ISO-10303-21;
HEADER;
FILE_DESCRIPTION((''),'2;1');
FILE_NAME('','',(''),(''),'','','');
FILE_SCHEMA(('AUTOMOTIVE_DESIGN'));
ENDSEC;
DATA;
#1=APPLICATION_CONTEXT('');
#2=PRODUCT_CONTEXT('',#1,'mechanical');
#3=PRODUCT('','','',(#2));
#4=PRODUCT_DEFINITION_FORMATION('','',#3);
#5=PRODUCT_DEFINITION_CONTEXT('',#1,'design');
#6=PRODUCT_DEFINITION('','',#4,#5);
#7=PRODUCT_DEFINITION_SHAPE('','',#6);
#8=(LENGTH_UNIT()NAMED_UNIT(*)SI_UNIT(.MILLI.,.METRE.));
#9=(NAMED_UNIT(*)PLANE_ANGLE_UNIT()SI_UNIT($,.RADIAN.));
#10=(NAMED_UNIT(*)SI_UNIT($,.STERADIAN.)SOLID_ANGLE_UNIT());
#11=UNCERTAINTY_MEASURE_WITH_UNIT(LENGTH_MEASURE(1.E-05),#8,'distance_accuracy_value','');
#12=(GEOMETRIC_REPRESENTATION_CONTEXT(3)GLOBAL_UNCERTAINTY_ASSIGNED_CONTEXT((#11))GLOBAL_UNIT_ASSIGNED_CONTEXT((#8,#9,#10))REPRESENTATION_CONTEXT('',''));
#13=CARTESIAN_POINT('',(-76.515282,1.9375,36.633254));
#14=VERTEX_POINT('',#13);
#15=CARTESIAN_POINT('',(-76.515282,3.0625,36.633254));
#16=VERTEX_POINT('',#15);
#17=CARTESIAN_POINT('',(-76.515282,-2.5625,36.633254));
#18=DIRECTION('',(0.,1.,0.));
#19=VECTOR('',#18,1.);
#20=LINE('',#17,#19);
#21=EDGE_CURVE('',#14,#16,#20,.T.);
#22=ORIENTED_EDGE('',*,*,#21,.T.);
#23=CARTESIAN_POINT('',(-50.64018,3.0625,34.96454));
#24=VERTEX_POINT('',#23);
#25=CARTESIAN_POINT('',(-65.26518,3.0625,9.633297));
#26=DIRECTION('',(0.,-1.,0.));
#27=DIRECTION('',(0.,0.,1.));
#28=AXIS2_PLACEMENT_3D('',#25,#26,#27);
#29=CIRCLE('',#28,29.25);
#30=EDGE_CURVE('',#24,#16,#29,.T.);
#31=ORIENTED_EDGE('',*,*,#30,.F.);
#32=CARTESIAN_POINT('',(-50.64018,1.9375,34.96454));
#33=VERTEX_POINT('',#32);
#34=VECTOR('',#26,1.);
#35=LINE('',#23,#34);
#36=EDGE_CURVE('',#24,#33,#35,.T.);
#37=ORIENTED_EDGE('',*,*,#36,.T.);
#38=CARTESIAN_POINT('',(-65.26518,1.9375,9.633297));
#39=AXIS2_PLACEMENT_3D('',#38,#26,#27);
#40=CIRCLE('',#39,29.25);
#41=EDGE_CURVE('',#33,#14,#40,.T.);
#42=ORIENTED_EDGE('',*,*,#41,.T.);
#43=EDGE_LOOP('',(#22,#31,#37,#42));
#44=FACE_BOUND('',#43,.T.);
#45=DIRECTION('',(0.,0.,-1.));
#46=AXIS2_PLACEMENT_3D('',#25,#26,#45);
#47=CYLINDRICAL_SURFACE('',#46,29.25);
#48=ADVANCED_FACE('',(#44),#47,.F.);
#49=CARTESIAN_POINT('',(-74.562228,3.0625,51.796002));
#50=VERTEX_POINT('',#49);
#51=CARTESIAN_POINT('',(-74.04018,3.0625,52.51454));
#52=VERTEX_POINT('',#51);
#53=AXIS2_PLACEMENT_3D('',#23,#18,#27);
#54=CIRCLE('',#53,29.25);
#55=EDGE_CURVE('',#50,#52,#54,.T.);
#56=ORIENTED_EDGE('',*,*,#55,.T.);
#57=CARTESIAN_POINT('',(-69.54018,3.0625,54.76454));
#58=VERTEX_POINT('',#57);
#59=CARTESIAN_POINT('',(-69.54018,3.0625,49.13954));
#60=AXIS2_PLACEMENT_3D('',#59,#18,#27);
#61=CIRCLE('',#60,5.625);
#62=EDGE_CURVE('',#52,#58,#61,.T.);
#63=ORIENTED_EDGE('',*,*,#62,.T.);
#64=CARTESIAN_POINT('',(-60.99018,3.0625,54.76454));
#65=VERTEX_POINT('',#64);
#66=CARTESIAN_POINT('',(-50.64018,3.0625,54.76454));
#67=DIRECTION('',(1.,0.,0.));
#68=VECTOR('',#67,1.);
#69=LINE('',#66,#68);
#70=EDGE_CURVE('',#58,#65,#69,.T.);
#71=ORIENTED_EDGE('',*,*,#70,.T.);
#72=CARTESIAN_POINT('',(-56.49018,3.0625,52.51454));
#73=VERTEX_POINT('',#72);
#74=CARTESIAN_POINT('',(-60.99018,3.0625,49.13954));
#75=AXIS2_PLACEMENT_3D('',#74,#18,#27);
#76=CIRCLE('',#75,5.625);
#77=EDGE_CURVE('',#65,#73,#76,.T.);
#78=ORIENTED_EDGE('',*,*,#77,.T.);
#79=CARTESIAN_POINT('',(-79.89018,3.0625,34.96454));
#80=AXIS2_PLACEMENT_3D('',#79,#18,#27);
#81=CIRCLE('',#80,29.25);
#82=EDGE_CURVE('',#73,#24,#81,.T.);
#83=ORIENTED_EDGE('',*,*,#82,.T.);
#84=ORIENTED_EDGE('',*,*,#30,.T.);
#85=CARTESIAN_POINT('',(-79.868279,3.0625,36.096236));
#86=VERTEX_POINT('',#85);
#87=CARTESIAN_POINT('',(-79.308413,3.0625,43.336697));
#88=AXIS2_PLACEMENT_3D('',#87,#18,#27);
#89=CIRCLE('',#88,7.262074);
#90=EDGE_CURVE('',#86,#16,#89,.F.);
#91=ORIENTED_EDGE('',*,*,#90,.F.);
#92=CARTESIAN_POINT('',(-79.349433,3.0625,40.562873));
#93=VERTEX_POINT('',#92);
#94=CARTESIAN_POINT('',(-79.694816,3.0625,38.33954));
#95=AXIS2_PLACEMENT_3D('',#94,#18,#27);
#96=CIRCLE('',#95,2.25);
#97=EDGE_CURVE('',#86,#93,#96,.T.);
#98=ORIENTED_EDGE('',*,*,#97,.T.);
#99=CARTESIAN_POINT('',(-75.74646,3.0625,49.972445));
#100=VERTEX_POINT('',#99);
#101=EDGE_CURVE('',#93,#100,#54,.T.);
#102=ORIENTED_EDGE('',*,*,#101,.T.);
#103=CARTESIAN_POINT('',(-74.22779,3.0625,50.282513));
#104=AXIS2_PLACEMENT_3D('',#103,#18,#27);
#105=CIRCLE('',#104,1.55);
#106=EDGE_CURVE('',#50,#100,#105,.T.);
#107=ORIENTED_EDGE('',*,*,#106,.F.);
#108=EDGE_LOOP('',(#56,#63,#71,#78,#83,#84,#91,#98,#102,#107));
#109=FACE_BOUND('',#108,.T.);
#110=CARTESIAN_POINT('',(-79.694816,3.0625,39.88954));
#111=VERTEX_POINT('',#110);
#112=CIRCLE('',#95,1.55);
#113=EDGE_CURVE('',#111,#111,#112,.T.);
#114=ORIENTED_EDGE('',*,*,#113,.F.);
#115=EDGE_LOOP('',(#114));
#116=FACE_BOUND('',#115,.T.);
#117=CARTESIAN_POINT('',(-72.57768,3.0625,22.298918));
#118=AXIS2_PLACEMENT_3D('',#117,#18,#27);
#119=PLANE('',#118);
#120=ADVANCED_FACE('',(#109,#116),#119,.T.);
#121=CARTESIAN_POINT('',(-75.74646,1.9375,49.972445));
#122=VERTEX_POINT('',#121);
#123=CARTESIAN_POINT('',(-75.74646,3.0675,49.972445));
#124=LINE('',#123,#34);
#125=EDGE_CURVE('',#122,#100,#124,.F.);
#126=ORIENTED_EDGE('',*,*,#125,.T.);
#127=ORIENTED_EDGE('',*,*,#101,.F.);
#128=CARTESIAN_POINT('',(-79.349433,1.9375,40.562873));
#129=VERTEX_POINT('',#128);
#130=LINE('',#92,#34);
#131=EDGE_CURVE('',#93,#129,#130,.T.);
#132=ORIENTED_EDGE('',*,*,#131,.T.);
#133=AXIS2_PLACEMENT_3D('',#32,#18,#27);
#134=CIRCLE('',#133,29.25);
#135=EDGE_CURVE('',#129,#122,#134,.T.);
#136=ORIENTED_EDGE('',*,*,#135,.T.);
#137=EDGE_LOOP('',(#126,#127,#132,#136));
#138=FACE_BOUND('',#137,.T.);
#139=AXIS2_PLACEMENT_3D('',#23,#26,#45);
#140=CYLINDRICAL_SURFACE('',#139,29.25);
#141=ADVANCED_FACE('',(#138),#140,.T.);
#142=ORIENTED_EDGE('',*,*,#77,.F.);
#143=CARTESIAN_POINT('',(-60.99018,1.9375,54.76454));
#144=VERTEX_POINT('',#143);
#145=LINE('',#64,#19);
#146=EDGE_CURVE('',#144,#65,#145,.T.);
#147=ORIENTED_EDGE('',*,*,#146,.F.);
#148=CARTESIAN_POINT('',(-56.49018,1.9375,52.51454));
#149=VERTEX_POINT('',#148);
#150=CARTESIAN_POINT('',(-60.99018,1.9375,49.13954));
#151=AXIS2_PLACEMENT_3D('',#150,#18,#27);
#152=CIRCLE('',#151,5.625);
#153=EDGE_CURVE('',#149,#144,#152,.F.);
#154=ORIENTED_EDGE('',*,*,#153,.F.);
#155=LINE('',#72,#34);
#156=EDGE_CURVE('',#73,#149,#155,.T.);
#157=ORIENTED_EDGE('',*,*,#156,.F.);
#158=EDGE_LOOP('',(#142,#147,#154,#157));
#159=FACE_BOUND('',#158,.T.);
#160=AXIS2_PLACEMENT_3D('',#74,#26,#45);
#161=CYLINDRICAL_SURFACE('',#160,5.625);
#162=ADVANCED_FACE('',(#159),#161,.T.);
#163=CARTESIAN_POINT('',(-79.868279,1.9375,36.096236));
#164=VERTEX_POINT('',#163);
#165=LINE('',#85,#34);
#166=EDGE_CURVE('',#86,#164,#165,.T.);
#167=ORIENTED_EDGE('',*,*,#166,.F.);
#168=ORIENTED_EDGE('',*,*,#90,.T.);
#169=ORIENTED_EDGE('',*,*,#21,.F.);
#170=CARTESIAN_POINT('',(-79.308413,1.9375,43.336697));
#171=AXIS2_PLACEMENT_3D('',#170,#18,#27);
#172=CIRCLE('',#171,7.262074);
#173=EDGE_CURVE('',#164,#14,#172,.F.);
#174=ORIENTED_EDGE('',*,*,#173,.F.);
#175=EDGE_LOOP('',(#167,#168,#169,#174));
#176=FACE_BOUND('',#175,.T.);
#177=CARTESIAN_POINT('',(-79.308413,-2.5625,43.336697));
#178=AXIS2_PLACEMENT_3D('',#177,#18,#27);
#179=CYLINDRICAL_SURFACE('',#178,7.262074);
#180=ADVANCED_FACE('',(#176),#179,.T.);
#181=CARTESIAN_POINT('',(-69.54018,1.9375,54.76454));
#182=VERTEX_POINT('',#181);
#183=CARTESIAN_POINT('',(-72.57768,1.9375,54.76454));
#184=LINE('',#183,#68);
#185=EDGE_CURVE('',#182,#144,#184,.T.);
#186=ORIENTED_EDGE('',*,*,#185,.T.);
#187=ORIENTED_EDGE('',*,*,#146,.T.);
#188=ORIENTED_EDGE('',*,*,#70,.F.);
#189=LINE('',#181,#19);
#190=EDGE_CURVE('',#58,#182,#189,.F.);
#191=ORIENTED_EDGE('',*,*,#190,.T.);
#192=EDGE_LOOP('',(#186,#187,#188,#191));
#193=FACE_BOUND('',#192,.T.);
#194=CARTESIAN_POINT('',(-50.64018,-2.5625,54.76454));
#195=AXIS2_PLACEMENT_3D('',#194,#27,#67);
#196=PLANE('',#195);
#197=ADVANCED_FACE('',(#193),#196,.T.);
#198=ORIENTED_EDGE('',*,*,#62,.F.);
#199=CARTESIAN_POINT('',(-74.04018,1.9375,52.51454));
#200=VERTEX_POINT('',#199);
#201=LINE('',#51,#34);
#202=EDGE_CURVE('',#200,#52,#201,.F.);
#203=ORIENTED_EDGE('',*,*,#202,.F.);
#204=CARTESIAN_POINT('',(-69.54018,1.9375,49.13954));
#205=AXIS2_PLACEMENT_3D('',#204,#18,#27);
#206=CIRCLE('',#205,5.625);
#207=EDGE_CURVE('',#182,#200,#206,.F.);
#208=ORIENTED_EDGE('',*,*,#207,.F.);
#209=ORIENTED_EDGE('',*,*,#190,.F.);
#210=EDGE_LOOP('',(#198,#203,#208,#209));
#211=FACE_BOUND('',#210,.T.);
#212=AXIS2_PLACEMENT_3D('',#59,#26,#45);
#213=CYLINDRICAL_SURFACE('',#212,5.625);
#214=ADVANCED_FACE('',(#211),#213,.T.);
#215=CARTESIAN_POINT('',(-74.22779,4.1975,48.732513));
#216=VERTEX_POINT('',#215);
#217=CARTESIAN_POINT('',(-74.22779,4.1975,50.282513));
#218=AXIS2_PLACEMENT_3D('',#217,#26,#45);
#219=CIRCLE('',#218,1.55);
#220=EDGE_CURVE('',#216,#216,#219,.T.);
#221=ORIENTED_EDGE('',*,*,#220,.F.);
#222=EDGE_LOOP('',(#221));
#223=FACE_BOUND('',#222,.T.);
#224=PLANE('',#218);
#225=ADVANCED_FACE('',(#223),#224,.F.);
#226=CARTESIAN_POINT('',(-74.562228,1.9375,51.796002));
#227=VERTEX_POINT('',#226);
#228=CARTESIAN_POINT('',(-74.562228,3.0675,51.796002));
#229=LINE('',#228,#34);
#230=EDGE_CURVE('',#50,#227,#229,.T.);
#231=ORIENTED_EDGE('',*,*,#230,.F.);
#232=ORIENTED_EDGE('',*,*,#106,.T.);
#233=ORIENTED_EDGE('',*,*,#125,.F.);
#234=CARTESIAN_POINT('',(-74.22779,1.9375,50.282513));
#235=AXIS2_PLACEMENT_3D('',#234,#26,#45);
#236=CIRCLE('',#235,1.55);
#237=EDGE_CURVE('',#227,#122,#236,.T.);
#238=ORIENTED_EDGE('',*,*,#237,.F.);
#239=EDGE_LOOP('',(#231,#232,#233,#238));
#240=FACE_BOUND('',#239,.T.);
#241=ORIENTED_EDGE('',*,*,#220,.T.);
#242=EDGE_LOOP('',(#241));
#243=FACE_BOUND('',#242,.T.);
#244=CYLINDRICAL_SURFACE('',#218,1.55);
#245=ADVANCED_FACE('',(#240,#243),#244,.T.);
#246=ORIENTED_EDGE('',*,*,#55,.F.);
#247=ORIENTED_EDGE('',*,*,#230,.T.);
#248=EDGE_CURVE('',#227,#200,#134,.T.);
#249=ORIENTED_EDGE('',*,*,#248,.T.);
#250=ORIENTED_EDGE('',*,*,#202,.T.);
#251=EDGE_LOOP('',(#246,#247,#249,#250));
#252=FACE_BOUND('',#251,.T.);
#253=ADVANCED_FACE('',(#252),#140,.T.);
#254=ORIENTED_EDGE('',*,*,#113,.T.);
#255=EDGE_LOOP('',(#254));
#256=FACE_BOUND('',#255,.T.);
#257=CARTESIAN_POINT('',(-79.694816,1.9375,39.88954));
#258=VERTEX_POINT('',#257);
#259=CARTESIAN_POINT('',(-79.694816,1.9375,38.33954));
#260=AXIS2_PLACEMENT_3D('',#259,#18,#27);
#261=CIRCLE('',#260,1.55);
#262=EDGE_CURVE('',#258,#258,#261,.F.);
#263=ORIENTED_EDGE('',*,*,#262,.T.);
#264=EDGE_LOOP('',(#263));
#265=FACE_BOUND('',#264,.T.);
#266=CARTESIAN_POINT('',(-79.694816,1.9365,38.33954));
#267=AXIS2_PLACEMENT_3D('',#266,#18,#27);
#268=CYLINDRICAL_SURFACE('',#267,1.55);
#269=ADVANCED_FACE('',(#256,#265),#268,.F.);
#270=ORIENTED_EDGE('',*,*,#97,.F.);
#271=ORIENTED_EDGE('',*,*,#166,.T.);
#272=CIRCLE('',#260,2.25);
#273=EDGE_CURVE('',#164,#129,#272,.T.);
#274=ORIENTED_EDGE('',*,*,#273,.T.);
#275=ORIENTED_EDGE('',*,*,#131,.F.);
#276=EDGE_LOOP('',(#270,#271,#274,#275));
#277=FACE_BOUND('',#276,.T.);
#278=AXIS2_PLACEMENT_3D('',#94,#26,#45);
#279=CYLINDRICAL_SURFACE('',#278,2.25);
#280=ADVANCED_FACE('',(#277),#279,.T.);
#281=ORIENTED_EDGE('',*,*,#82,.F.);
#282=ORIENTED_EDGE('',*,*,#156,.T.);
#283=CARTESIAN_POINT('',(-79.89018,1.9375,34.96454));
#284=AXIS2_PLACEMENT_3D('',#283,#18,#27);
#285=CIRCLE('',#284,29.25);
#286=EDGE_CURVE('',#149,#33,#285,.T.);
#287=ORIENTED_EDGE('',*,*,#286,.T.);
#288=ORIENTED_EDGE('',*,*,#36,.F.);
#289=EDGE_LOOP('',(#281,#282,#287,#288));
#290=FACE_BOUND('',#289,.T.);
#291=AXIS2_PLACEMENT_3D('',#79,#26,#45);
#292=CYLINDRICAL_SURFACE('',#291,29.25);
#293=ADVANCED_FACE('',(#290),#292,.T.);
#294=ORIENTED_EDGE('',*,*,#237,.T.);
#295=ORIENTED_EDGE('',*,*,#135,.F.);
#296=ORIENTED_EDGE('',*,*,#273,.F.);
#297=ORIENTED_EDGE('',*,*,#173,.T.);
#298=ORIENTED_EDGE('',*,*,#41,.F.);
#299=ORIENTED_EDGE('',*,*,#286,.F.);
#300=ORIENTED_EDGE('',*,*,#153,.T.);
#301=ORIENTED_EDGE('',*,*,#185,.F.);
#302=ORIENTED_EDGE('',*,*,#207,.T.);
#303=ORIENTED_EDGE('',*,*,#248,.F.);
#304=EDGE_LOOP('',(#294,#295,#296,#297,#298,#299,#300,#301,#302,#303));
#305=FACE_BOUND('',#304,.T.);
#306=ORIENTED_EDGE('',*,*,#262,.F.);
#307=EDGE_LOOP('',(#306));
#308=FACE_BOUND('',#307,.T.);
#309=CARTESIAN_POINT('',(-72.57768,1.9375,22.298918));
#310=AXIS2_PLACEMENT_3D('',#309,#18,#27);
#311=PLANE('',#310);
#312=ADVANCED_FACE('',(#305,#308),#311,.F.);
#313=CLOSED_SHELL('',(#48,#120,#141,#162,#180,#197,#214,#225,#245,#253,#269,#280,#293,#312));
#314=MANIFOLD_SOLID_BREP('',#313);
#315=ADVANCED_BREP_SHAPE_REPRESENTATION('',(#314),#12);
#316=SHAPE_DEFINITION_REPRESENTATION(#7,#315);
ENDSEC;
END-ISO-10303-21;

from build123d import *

# Parameters (mm, degrees)
BOSS_EXTRUDE1_DEPTH = 5
SKETCH2_R           = 4.5
CUT_EXTRUDE1_DEPTH  = 180.046458535
CUT_EXTRUDE2_START  = -25
CUT_EXTRUDE2_DEPTH  = 25
CUT_EXTRUDE3_START  = -25
CUT_EXTRUDE3_DEPTH  = 25
FILLET1_R           = 25
SCALE1_SCALE        = 0.225
CUT_EXTRUDE4_REACH  = 100.567
SKETCH5_R           = 1.55
SKETCH7_R           = 1.55
BOSS_EXTRUDE3_DEPTH = 2.26


with BuildPart() as part:
    # Sketch1 → Boss-Extrude1 (new body)
    with BuildSketch(Plane(origin=(0, 0, 0), x_dir=(1, 0, 0), z_dir=(0, 1, 0))):
        with BuildLine():
            ThreePointArc((-130, 0), (-129.975663124, -2.515351975), (-129.902661607, -5.029762169))
            ThreePointArc((-129.902661607, -5.029762169), (-139.064924602, -16.153846154), (-127.596676804, -24.881480435))
            ThreePointArc((-127.596676804, -24.881480435), (-105.812439614, -75.523027104), (-65, -112.583302492))
            ThreePointArc((-65, -112.583302492), (-17.416697508, -65), (0, 0))
            ThreePointArc((0, 0), (-65, -17.416697508), (-130, 0))
        make_face()
    extrude(amount=BOSS_EXTRUDE1_DEPTH)

    # Sketch2 → Cut-Extrude1 (cut, through all)
    with BuildSketch(Plane(origin=(0, 5, 0), x_dir=(1, 0, 0), z_dir=(0, 1, 0))):
        with Locations((-129.131715701, -15)):
            Circle(SKETCH2_R)
        with Locations((-104.833820993, -68.079879377)):
            Circle(SKETCH2_R)
    extrude(amount=-CUT_EXTRUDE1_DEPTH, mode=Mode.SUBTRACT)

    # Sketch3 → Cut-Extrude2 (cut)
    with BuildSketch(Plane(origin=(0, 5, 0), x_dir=(1, 0, 0), z_dir=(0, 1, 0)).offset(CUT_EXTRUDE2_START)):
        with BuildLine():
            Line((-34.313010289, -88), (-95.686989711, -88))
            ThreePointArc((-95.686989711, -88), (-81.278298801, -101.458553824), (-65, -112.583302492))
            ThreePointArc((-65, -112.583302492), (-48.721701199, -101.458553824), (-34.313010289, -88))
        make_face()
    extrude(amount=CUT_EXTRUDE2_DEPTH, mode=Mode.SUBTRACT)

    # Sketch4 → Cut-Extrude3 (cut)
    with BuildSketch(Plane(origin=(0, 5, 0), x_dir=(1, 0, 0), z_dir=(0, 1, 0)).offset(CUT_EXTRUDE3_START)):
        with BuildLine():
            ThreePointArc((-130, 0), (-129.975663124, -2.515351975), (-129.902661607, -5.029762169))
            ThreePointArc((-129.902661607, -5.029762169), (-122.310091762, -5.339865772), (-115.00045201, -7.416509169))
            ThreePointArc((-115.00045201, -7.416509169), (-122.619676697, -3.949838105), (-130, 0))
        make_face()
    extrude(amount=CUT_EXTRUDE3_DEPTH, mode=Mode.SUBTRACT)

    # Fillet1
    fillet1_edges = [part.edges().sort_by_distance(p)[0] for p in [
        (-34.313010289, 2.5, 88),
        (-95.686989711, 2.5, 88),
    ]]
    fillet(fillet1_edges, radius=FILLET1_R)


with BuildPart() as part_1:
    # Scale1: scaled about (-65.342168123, 2.5, 45.115535207)
    add(part.part.scale(SCALE1_SCALE).moved(Location((-50.640180295, 1.9375, 34.964539785))))

    # Sketch5 → Cut-Extrude4 (cut, up to next)
    with BuildSketch(Plane(origin=(0, 3.0625, 0), x_dir=(1, 0, 0), z_dir=(0, 1, 0)), mode=Mode.PRIVATE) as cut_extrude4_sk1:
        with Locations((-79.694816328, -38.339539786)):
            Circle(SKETCH5_R)
    cut_extrude4_tool1 = extrude(cut_extrude4_sk1.sketch, amount=-CUT_EXTRUDE4_REACH, mode=Mode.PRIVATE) & part_1.part
    add(cut_extrude4_tool1.solids().sort_by_distance((-79.694816, 3.0625, 38.33954))[0], mode=Mode.SUBTRACT)

    # Sketch7 → Boss-Extrude3 (add)
    with BuildSketch(Plane.XZ.offset(-1.9375)):
        with Locations((-74.227790019, 50.282512645)):
            Circle(SKETCH7_R)
    extrude(amount=-BOSS_EXTRUDE3_DEPTH)


solid = part_1.part
